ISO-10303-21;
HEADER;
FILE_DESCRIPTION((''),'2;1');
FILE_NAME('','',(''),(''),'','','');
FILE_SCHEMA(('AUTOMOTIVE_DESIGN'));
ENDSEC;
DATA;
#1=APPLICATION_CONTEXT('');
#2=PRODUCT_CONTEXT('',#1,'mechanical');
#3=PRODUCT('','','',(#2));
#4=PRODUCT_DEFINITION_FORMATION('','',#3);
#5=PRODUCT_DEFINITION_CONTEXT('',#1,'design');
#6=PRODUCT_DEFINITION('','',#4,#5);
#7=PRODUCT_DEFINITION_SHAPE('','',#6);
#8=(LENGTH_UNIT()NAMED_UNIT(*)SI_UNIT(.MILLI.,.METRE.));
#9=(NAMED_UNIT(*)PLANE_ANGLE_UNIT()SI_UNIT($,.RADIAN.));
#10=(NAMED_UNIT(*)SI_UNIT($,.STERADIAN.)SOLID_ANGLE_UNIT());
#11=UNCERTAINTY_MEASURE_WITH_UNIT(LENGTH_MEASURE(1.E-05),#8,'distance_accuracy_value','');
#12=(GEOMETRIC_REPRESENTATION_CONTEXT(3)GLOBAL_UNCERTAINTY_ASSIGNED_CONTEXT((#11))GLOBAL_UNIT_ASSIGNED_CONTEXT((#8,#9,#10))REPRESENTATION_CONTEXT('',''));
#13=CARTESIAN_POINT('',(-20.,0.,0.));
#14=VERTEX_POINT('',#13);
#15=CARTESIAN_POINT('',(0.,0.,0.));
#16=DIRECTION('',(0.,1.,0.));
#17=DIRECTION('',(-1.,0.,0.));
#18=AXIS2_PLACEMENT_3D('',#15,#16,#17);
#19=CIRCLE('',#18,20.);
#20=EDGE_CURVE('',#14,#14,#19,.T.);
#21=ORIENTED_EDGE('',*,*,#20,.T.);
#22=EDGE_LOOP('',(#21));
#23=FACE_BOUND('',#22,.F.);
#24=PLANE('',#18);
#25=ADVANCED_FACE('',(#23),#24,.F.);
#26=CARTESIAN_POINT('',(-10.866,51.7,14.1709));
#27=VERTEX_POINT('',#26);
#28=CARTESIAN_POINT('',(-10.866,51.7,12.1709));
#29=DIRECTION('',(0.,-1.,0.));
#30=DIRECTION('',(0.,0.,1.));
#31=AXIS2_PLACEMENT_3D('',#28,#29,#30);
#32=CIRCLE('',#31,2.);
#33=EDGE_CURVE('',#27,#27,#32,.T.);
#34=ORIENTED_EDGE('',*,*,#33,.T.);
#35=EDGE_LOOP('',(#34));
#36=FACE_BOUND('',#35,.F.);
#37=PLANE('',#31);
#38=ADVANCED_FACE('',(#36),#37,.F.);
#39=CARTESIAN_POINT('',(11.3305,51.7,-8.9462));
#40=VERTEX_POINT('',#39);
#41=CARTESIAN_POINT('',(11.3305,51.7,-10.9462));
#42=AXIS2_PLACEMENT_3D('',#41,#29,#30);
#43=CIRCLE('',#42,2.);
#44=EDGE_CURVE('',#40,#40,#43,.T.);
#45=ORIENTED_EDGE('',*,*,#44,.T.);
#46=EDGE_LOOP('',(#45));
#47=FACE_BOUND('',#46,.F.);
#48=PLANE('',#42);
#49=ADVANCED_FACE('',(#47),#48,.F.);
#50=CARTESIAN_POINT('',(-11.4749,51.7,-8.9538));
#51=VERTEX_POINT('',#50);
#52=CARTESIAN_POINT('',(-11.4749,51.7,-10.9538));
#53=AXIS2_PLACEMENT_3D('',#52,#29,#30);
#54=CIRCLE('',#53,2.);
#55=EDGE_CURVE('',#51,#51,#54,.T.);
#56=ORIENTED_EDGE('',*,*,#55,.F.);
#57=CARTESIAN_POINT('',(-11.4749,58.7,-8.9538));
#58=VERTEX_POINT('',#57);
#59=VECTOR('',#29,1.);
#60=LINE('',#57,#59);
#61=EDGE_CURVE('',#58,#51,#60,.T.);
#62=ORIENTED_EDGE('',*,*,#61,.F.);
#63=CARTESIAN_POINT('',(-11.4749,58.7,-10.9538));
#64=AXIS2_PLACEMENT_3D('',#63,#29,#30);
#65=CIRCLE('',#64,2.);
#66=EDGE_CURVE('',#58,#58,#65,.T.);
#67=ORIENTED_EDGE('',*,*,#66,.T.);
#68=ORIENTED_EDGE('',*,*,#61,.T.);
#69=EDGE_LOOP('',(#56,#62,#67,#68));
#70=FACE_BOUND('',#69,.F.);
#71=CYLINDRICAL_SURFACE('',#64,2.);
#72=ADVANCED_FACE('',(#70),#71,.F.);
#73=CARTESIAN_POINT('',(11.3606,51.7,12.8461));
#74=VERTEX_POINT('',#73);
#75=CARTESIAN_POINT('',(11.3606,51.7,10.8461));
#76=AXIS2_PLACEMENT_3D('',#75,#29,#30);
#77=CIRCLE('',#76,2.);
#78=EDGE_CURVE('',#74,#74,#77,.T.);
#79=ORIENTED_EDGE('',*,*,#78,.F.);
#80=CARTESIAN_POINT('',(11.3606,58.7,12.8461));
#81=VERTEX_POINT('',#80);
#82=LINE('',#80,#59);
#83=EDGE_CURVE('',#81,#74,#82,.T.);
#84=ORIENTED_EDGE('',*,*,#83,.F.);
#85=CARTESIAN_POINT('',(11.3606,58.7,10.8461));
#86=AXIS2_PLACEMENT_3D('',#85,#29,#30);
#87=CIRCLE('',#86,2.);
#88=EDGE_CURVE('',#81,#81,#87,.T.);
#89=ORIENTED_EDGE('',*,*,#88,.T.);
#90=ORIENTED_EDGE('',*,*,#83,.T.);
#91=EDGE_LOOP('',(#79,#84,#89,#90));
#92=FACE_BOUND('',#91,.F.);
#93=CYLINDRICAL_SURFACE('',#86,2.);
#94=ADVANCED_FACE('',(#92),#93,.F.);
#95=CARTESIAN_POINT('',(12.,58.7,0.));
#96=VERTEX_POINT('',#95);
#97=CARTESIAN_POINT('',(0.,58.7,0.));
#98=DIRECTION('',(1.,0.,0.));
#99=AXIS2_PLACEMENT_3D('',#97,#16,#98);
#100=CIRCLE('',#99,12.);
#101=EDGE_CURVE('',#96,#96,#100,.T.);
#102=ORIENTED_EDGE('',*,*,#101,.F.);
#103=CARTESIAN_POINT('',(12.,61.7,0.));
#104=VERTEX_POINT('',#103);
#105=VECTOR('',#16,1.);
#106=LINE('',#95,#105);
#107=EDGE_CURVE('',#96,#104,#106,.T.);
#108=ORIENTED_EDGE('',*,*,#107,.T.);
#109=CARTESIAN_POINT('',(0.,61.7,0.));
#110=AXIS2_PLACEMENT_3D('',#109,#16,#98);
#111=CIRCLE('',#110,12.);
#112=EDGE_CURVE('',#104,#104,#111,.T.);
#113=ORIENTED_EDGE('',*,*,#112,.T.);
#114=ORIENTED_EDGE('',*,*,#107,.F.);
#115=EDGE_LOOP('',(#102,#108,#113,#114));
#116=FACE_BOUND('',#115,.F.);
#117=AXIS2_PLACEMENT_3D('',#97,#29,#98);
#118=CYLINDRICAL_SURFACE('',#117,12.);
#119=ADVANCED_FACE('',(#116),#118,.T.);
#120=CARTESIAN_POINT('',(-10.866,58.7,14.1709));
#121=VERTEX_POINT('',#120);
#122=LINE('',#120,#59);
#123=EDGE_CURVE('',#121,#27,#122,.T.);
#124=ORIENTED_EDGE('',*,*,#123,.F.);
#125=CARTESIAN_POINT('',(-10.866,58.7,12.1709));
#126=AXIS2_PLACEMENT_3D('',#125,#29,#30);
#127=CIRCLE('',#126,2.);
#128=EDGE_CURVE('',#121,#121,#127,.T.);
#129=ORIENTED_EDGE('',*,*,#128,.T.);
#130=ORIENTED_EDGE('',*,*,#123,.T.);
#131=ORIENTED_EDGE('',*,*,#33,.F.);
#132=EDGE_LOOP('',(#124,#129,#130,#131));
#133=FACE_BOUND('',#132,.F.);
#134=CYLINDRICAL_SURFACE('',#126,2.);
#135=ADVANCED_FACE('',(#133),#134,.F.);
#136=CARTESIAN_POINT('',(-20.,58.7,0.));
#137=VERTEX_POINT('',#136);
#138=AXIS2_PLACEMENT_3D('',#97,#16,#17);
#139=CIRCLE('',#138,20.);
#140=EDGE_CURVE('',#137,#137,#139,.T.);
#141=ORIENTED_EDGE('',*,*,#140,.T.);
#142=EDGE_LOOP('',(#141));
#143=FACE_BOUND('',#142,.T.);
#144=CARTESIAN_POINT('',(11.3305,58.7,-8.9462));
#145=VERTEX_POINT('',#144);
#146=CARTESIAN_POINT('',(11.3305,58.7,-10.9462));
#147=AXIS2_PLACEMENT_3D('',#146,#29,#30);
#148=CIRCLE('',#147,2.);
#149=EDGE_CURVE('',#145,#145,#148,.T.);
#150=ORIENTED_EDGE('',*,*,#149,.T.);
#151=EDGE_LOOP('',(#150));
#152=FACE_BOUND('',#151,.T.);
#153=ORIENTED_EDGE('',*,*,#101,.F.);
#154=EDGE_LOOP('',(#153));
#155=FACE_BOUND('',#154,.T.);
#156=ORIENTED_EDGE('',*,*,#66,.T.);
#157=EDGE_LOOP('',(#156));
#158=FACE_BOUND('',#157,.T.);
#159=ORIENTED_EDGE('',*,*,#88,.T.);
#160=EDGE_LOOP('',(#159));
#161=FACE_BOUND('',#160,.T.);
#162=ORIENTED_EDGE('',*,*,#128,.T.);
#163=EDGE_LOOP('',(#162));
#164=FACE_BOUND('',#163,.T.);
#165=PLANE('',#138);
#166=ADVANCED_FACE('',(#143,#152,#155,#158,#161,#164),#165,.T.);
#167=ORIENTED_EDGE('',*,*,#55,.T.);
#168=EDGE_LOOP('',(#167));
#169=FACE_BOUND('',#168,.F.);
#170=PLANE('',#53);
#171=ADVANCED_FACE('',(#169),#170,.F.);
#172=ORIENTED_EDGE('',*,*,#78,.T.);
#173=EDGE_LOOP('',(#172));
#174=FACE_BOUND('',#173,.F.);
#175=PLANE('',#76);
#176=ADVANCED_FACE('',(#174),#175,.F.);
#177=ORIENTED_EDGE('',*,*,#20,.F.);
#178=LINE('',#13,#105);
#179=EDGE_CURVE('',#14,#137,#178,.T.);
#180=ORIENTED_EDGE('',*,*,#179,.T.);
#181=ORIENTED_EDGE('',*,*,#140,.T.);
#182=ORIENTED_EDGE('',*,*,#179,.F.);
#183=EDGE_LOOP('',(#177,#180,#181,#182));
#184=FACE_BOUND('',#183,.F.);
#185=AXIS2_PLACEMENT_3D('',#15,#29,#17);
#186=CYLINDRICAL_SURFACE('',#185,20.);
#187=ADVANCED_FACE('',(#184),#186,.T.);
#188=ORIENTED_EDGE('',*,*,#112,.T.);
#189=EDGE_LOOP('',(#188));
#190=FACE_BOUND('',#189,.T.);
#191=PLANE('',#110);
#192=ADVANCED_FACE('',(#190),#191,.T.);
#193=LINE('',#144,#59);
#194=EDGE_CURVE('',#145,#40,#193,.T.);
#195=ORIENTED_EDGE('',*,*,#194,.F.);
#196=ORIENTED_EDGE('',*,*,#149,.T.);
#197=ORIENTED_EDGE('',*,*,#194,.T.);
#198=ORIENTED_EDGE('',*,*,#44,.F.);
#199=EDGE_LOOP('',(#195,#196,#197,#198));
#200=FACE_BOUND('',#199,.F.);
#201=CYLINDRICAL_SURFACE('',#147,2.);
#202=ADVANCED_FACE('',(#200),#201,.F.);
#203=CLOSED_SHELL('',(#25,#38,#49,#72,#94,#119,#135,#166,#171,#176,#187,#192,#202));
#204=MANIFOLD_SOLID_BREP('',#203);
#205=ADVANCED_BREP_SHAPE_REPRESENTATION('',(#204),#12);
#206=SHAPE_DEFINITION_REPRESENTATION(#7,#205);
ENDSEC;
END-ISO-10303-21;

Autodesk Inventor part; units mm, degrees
ref_plane "YZ Plane" through (0, 0, 0) normal (1, 0, 0) x (0, 1, 0)
ref_plane "XZ Plane" through (0, 0, 0) normal (0, 1, 0) x (-1, 0, 0)
ref_plane "XY Plane" through (0, 0, 0) normal (0, 0, 1) x (1, 0, 0)
sketch "スケッチ1" plane through (0, 0, 0) normal (0, 1, 0) x (-1, 0, 0)
  circle A0 centre (0, 0) radius 20
  dimension "d0" = 40
extrude "押し出し1" add sketch "スケッチ1" along normal blind 58.7
sketch "スケッチ2" plane through (0, 58.7, 0) normal (0, 1, 0) x (1, 0, 0)
  circle A0 centre (0, 0) radius 12
  dimension "d3" = 24
extrude "押し出し2" add sketch "スケッチ2" along normal blind 3
hole "穴1" at (11.3305, 58.7, -10.9462) direction (0, -1, 0) diameter 4 depth 7
hole "穴2" at (-10.866, 58.7, 12.1709) direction (0, -1, 0) diameter 4 depth 7
hole "穴3" at (-11.4749, 58.7, -10.9538) direction (0, -1, 0) diameter 4 depth 7
hole "穴4" at (11.3606, 58.7, 10.8461) direction (0, -1, 0) diameter 4 depth 7
properties part number "HarmonicDrive1"
